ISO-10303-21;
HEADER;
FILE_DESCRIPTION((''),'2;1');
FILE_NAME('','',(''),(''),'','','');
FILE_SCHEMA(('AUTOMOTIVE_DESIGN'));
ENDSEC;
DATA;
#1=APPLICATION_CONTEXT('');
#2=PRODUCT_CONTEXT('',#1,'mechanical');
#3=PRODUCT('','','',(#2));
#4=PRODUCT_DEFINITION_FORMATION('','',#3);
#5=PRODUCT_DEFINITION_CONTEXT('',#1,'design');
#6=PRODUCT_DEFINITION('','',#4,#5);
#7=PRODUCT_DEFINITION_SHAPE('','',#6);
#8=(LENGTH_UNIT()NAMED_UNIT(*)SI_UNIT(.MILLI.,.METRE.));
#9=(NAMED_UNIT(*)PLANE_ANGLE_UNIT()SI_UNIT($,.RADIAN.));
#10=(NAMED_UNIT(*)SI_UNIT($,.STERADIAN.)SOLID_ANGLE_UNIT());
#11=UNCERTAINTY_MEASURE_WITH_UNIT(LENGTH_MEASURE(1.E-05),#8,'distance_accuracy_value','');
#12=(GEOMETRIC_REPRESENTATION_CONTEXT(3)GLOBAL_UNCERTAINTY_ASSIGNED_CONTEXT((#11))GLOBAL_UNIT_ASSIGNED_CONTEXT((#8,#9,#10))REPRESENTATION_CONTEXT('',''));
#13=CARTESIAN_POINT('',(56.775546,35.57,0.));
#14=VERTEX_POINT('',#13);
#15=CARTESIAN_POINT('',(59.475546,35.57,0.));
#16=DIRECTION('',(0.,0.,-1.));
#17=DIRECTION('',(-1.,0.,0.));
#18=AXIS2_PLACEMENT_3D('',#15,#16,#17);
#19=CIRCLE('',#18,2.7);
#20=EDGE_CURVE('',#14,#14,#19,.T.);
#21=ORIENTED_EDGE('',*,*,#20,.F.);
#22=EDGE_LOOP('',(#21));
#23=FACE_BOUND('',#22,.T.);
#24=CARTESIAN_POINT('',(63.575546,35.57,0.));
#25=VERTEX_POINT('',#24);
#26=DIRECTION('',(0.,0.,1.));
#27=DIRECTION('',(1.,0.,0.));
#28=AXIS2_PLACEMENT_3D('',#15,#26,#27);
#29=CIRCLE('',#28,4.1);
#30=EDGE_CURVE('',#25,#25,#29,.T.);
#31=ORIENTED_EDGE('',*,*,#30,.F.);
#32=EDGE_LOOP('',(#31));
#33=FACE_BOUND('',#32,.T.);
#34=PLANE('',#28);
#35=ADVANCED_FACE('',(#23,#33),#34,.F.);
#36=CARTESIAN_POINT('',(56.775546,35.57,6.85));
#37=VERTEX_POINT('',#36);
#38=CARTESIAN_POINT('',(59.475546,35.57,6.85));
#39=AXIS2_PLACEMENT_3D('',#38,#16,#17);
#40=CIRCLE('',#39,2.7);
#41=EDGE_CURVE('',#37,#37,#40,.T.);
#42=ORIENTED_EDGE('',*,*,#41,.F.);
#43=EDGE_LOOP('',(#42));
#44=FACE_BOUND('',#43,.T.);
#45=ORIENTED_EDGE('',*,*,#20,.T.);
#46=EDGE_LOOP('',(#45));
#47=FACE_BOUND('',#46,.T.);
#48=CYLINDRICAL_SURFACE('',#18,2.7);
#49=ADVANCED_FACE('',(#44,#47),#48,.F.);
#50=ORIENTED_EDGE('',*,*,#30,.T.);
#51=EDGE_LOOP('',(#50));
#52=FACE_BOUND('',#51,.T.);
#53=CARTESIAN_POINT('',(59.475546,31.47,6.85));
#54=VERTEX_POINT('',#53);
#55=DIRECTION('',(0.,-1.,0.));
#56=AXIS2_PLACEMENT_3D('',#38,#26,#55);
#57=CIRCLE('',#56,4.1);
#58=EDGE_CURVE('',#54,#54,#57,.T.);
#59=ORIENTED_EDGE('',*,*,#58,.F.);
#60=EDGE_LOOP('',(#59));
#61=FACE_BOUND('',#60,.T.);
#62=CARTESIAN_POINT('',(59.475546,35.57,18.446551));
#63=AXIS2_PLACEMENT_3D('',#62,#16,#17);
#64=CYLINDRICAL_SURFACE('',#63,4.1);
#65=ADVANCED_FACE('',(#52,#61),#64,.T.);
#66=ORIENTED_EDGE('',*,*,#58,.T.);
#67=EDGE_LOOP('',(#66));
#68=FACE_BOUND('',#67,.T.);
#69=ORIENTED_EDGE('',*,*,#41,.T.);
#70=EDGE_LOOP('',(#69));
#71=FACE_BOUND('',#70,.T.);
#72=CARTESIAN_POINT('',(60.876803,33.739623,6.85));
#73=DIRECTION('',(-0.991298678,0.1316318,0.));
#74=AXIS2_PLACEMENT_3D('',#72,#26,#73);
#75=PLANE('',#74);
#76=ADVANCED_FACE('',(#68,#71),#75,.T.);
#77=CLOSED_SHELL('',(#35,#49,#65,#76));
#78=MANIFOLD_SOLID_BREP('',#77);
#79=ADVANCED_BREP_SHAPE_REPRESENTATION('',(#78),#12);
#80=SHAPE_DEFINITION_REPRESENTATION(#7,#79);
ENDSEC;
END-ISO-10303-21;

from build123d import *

# Parameters (mm, degrees)
SKETCH1_R            = 4.1
BOSS_EXTRUDE2_DEPTH  = 6.85
M5_CLEARANCE_HOLE1_D = 5.4


with BuildPart() as part:
    # Sketch1 → Boss-Extrude2 (new body)
    with BuildSketch(Plane.XY):
        with Locations((59.475545776, 35.570000001)):
            Circle(SKETCH1_R)
    extrude(amount=BOSS_EXTRUDE2_DEPTH)

    # M5 Clearance Hole1 (through all)
    with Locations(Plane(origin=(0, 0, 0), x_dir=(-1, 0, 0), z_dir=(0, 0, -1))):
        with Locations((-59.475545776, 35.570000001)):
            Hole(M5_CLEARANCE_HOLE1_D / 2)


solid = part.part
